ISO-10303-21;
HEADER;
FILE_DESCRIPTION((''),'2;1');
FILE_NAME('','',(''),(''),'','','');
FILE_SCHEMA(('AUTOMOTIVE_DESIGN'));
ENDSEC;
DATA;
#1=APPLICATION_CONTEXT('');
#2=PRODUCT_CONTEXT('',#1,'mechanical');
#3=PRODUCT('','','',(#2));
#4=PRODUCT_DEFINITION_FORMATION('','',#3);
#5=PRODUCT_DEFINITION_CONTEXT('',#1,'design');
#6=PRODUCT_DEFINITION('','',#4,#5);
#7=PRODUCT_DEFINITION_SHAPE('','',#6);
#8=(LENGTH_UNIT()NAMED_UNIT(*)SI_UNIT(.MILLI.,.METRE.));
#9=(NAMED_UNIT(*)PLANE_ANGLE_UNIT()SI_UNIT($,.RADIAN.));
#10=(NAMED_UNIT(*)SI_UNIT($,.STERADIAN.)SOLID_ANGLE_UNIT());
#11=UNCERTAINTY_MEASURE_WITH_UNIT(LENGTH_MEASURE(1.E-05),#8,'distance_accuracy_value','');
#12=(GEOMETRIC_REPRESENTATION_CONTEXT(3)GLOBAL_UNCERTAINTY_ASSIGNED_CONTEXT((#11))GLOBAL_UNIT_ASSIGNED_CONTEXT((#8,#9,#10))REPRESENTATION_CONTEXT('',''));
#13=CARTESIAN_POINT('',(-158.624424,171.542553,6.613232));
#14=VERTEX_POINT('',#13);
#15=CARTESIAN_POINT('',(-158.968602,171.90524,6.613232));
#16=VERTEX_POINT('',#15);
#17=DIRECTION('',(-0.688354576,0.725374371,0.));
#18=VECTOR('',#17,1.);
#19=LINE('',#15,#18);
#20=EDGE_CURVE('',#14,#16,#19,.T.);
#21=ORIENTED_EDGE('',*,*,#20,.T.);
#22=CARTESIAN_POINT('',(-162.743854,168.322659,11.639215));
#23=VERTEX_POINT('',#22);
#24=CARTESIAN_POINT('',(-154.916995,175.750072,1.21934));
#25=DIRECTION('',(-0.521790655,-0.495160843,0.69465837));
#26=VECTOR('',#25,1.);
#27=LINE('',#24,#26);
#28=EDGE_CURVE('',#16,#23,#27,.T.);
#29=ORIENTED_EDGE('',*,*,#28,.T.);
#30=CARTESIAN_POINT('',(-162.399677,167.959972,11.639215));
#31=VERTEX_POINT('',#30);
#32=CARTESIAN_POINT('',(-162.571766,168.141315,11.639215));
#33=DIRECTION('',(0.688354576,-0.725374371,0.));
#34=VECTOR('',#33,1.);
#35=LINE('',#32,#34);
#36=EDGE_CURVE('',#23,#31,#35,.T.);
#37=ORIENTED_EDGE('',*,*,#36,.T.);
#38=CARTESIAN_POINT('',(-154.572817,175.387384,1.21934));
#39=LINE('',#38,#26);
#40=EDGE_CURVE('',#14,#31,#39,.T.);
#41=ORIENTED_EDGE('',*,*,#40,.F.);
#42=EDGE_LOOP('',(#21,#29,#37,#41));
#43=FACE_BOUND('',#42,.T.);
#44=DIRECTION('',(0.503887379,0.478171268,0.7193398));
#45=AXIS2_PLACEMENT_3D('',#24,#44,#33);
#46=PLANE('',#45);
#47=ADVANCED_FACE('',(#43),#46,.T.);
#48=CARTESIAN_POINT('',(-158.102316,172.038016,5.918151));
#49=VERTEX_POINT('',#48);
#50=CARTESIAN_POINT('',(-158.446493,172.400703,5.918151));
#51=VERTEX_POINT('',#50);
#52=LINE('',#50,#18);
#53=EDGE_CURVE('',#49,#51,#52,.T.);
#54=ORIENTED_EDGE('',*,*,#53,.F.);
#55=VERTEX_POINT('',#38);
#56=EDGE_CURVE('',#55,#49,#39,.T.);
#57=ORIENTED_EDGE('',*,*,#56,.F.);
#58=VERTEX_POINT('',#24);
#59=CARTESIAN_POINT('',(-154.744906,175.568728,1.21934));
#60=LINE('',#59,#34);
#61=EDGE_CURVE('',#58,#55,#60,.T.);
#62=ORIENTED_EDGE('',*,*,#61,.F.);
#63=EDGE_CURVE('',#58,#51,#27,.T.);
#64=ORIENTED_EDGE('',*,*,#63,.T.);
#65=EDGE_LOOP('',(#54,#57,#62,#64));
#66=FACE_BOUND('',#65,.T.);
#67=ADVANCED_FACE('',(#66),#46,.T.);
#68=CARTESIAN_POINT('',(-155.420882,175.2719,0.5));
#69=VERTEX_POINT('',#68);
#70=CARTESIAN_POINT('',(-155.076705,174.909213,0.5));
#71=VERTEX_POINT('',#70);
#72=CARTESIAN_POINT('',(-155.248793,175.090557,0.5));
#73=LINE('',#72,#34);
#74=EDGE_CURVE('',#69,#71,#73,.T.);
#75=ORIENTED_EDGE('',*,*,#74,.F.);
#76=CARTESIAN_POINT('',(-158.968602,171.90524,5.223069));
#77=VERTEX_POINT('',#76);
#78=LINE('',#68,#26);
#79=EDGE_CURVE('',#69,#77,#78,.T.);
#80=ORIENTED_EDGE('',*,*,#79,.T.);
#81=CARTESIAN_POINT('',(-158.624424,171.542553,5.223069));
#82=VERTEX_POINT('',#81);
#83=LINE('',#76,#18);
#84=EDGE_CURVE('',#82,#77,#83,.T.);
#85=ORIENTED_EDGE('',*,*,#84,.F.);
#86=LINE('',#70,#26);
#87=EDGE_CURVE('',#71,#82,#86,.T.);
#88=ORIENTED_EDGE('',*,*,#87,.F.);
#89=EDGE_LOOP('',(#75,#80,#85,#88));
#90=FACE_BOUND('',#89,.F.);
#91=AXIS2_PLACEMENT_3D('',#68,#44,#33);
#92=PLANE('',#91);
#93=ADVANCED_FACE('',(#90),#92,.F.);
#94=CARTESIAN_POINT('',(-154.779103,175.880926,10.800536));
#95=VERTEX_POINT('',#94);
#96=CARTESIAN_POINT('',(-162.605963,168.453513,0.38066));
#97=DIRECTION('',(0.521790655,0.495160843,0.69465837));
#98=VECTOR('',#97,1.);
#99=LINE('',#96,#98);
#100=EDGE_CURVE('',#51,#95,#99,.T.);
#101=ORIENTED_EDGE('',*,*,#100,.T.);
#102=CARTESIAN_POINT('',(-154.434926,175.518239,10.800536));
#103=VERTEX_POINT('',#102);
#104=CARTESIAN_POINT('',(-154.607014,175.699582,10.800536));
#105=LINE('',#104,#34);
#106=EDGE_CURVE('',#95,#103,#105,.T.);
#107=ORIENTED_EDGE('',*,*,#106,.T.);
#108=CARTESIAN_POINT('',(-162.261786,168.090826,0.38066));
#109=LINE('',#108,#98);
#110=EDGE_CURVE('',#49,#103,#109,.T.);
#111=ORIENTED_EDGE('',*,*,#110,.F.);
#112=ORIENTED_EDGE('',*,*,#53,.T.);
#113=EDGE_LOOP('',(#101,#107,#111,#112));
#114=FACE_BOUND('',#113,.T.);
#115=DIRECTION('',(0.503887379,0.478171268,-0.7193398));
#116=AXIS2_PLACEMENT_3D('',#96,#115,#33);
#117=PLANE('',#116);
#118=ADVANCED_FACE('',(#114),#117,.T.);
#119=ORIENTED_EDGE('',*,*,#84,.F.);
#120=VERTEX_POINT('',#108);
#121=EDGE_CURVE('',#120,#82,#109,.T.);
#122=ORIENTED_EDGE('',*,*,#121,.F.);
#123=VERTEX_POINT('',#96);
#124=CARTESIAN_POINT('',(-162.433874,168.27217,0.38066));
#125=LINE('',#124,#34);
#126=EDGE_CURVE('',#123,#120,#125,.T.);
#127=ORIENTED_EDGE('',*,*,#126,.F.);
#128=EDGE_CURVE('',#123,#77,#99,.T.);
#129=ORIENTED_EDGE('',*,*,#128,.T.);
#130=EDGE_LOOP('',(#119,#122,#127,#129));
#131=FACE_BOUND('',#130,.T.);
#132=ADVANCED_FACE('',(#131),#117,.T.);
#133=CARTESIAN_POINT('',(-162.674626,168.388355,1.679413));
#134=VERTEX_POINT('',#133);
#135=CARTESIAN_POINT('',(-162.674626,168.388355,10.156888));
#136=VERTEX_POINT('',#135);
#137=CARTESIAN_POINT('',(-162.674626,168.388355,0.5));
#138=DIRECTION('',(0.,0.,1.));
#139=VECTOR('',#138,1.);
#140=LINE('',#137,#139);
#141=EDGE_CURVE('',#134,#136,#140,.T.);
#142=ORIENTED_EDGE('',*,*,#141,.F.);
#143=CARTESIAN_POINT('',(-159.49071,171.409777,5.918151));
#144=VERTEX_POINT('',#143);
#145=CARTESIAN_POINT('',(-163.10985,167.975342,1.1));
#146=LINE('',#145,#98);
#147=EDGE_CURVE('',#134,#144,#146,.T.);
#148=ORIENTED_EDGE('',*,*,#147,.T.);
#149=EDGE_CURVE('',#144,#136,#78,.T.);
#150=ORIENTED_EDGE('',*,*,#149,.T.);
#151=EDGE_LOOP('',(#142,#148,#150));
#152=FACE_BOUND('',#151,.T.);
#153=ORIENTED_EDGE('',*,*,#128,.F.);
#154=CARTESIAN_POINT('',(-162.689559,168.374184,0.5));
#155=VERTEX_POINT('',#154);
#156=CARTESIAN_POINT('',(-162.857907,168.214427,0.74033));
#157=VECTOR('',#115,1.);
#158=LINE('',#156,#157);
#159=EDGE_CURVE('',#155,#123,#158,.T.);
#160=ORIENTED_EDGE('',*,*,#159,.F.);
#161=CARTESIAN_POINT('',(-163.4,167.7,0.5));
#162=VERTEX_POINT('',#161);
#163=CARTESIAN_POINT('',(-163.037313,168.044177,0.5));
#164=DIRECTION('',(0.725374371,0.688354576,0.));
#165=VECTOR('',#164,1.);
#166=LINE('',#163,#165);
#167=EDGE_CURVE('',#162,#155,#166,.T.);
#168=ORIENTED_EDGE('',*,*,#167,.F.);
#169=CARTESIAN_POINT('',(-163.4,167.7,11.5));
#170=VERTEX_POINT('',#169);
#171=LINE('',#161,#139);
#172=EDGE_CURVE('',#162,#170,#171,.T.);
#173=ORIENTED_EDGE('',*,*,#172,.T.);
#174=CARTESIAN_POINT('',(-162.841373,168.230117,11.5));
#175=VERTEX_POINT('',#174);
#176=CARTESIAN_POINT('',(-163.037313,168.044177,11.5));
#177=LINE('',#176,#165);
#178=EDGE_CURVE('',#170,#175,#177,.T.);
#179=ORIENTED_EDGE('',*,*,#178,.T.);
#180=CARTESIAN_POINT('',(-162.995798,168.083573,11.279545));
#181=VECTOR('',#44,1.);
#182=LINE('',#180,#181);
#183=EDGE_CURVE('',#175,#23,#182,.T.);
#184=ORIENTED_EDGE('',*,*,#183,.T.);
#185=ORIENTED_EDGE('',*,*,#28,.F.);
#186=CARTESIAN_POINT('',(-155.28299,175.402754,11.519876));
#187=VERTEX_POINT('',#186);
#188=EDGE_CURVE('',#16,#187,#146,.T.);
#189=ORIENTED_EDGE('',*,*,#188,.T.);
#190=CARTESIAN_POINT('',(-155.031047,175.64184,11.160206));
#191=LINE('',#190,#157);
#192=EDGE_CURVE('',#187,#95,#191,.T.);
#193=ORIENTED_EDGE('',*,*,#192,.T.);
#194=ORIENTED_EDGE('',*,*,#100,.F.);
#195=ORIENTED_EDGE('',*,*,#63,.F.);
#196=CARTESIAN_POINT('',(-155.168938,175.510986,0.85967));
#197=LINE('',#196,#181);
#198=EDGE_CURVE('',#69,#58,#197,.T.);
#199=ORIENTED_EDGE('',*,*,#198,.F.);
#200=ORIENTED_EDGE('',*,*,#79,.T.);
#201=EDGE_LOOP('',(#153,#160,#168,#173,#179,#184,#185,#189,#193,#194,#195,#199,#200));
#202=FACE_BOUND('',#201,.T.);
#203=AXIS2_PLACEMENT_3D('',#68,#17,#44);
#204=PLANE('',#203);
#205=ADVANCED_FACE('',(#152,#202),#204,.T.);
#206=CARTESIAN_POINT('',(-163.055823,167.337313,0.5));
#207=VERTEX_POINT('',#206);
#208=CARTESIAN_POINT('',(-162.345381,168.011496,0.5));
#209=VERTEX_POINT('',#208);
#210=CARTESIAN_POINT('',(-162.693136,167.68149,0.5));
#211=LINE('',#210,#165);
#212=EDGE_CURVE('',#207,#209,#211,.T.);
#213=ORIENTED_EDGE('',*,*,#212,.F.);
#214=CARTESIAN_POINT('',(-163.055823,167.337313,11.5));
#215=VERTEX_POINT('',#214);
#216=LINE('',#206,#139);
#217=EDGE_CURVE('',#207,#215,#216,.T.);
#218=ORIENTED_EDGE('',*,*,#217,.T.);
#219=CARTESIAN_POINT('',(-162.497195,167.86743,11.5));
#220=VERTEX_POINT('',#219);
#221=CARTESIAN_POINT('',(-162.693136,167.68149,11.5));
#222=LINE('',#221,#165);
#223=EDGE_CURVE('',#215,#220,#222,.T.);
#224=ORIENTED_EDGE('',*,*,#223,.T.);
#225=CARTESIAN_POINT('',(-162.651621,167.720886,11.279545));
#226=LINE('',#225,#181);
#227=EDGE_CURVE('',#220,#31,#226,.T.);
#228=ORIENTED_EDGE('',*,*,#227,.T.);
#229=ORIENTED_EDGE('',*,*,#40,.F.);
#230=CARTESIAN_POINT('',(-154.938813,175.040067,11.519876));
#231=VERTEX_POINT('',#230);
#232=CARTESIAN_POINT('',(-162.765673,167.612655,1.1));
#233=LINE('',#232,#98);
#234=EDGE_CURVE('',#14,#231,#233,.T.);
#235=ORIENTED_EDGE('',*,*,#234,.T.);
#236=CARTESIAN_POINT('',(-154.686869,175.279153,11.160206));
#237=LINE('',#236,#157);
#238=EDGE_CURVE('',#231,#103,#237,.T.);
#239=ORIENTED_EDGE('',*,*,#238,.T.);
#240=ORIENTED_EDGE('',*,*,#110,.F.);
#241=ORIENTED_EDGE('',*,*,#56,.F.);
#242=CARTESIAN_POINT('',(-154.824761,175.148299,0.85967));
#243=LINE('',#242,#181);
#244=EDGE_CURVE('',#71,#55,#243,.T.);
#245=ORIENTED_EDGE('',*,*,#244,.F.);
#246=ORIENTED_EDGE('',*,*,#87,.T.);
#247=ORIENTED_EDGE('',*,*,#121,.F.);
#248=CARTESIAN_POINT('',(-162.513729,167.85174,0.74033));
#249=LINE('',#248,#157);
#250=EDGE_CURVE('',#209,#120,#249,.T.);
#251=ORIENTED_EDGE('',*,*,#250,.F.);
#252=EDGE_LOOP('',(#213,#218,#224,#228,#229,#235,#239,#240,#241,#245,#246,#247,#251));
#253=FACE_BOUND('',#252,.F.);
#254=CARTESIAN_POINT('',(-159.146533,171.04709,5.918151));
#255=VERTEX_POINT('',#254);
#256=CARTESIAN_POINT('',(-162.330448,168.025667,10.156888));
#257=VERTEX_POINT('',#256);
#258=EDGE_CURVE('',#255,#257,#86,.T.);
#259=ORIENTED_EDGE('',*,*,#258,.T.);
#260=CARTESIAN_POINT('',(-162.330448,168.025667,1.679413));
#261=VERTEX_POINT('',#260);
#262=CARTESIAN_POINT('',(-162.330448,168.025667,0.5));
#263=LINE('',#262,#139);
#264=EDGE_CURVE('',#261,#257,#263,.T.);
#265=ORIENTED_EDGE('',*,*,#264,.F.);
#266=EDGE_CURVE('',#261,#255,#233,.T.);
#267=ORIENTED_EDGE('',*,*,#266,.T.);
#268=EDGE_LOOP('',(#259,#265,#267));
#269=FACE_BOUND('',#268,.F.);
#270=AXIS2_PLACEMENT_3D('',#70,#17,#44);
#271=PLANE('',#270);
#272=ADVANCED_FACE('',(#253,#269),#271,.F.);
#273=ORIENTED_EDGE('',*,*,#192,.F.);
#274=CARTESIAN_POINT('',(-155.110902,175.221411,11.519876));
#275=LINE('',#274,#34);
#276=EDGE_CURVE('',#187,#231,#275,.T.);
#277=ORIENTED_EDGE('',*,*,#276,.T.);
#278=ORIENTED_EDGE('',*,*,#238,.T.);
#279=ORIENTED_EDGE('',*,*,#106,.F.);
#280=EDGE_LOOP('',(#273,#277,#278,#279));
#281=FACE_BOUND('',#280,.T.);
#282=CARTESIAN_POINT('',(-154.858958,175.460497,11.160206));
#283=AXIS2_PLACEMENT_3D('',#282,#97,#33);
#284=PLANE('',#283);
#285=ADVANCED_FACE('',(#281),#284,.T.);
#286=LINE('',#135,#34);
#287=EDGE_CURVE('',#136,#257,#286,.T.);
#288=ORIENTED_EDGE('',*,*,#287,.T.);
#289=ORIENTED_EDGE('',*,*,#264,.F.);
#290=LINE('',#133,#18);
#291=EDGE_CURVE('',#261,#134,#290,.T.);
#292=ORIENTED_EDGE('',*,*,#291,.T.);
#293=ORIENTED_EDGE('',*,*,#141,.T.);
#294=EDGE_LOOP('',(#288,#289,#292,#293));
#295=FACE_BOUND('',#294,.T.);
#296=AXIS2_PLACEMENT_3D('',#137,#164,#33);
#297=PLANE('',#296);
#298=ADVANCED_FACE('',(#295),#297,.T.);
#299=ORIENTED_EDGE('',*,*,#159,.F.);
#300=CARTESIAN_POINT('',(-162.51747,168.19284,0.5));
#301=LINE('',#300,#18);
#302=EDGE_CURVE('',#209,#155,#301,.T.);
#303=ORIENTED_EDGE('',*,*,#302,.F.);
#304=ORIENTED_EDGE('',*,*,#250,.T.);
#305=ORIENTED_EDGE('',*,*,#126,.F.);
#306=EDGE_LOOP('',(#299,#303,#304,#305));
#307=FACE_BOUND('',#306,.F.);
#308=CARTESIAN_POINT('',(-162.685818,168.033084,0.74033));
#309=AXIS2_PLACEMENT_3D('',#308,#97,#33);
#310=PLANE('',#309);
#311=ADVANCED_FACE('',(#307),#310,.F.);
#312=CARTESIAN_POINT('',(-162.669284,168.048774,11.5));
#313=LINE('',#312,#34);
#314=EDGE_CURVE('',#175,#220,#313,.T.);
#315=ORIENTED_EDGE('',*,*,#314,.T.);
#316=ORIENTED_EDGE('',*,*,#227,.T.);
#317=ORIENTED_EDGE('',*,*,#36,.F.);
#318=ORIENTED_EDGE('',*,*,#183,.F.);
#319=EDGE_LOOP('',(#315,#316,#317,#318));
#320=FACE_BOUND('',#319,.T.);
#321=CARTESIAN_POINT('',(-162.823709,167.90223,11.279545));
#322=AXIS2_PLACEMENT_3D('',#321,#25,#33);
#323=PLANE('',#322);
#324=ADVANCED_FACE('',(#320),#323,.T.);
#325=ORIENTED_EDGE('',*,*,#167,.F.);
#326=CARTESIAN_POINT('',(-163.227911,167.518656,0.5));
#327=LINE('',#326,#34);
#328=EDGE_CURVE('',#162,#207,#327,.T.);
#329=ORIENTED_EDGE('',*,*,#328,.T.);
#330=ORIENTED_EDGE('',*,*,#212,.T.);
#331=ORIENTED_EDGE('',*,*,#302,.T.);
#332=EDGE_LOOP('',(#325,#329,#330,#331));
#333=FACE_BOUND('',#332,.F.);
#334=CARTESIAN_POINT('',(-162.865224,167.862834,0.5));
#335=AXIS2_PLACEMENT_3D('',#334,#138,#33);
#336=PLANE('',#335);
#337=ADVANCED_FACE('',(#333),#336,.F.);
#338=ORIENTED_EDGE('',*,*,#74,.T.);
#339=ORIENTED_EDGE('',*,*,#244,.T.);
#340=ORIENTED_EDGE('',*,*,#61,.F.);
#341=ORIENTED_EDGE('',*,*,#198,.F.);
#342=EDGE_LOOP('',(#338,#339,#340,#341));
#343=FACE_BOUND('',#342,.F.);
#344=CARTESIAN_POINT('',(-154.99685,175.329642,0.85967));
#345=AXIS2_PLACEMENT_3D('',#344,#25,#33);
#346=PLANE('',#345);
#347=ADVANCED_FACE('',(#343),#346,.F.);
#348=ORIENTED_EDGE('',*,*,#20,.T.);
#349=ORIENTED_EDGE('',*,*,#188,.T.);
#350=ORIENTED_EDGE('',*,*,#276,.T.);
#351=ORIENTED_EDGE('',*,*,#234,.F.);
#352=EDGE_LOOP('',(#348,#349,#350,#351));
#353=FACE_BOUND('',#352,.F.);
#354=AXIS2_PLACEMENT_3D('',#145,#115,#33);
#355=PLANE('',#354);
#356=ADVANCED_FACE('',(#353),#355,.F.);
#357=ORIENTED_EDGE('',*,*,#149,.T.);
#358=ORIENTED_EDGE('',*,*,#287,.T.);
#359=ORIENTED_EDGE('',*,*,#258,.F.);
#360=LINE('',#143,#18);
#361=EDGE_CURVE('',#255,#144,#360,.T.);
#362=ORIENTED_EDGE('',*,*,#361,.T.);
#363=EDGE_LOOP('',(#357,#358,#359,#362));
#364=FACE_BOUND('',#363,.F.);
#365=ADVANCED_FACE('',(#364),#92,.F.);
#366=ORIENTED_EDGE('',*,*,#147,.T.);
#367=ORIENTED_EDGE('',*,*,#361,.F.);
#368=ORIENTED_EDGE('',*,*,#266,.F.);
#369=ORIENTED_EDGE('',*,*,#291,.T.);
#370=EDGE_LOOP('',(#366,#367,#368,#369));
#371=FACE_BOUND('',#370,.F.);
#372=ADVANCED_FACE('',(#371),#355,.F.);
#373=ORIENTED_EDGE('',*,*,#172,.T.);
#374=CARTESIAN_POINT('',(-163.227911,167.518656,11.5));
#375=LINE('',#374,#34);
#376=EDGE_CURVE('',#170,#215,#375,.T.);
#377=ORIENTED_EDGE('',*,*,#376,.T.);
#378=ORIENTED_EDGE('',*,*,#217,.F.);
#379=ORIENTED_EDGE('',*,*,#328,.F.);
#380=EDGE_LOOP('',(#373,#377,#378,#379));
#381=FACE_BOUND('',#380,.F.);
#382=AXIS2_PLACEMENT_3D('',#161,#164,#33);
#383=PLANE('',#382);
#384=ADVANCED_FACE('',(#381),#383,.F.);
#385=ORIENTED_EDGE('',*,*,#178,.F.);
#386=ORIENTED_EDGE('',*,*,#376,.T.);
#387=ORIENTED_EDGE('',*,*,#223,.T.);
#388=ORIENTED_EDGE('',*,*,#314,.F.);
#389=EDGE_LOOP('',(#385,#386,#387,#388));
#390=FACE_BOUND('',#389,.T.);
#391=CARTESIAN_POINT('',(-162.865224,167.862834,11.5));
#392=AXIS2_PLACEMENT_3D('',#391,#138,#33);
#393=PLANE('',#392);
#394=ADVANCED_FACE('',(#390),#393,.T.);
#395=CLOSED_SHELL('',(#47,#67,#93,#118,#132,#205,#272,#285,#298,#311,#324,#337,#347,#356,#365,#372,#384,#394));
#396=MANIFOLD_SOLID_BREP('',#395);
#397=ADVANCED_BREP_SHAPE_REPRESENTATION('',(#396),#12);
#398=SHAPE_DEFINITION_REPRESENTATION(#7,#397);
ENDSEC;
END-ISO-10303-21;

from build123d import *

# Parameters (mm, degrees)
BOX244_W                  = 0.5
BOX244_H                  = 1
BOX244_DEPTH              = 15
BOX244_ROLL_ANGLE         = 46
BOX245_W                  = 0.5
BOX245_H                  = 1
BOX245_DEPTH              = 15
BOX245_ROLL_ANGLE         = -46
BOX243_W                  = 0.5
BOX243_H                  = 1
BOX243_DEPTH              = 11
FUSION024_PLACEMENT_ANGLE = 46.5


with BuildPart() as cubo244:
    # Box244 → Box244 (new body)
    with BuildSketch(Plane.XY):
        with Locations((0.25, 0.5)):
            Rectangle(BOX244_W, BOX244_H)
    extrude(amount=BOX244_DEPTH)


with BuildPart() as cubo244_1:
    # Box244 roll: moved
    add(cubo244.part.rotate(Axis((0, 0, 0), (1, 0, 0)), BOX244_ROLL_ANGLE))


with BuildPart() as cubo244_2:
    # Box244 placement: moved
    add(cubo244_1.part.moved(Location((0, 11, 0.5))))


with BuildPart() as cubo245:
    # Box245 → Box245 (new body)
    with BuildSketch(Plane.XY):
        with Locations((0.25, 0.5)):
            Rectangle(BOX245_W, BOX245_H)
    extrude(amount=BOX245_DEPTH)


with BuildPart() as cubo245_1:
    # Box245 roll: moved
    add(cubo245.part.rotate(Axis((0, 0, 0), (1, 0, 0)), BOX245_ROLL_ANGLE))


with BuildPart() as cubo245_2:
    # Box245 placement: moved
    add(cubo245_1.part.moved(Location((0, 0.4, 1.1))))


with BuildPart() as fusion024:
    # Box243 → Box243 (new body)
    with BuildSketch(Plane.XY.offset(0.5)):
        with Locations((0.25, 0.5)):
            Rectangle(BOX243_W, BOX243_H)
    extrude(amount=BOX243_DEPTH)

    # Fusion024: union Cubo244, Cubo245
    add(cubo244_2.part)
    add(cubo245_2.part)


with BuildPart() as fusion024_1:
    # Fusion024 placement: moved
    add(fusion024.part.moved(Location((-163.4, 167.7, 0))).rotate(Axis((-163.4, 167.7, 0), (0, 0, -1)), FUSION024_PLACEMENT_ANGLE))


solid = fusion024_1.part
